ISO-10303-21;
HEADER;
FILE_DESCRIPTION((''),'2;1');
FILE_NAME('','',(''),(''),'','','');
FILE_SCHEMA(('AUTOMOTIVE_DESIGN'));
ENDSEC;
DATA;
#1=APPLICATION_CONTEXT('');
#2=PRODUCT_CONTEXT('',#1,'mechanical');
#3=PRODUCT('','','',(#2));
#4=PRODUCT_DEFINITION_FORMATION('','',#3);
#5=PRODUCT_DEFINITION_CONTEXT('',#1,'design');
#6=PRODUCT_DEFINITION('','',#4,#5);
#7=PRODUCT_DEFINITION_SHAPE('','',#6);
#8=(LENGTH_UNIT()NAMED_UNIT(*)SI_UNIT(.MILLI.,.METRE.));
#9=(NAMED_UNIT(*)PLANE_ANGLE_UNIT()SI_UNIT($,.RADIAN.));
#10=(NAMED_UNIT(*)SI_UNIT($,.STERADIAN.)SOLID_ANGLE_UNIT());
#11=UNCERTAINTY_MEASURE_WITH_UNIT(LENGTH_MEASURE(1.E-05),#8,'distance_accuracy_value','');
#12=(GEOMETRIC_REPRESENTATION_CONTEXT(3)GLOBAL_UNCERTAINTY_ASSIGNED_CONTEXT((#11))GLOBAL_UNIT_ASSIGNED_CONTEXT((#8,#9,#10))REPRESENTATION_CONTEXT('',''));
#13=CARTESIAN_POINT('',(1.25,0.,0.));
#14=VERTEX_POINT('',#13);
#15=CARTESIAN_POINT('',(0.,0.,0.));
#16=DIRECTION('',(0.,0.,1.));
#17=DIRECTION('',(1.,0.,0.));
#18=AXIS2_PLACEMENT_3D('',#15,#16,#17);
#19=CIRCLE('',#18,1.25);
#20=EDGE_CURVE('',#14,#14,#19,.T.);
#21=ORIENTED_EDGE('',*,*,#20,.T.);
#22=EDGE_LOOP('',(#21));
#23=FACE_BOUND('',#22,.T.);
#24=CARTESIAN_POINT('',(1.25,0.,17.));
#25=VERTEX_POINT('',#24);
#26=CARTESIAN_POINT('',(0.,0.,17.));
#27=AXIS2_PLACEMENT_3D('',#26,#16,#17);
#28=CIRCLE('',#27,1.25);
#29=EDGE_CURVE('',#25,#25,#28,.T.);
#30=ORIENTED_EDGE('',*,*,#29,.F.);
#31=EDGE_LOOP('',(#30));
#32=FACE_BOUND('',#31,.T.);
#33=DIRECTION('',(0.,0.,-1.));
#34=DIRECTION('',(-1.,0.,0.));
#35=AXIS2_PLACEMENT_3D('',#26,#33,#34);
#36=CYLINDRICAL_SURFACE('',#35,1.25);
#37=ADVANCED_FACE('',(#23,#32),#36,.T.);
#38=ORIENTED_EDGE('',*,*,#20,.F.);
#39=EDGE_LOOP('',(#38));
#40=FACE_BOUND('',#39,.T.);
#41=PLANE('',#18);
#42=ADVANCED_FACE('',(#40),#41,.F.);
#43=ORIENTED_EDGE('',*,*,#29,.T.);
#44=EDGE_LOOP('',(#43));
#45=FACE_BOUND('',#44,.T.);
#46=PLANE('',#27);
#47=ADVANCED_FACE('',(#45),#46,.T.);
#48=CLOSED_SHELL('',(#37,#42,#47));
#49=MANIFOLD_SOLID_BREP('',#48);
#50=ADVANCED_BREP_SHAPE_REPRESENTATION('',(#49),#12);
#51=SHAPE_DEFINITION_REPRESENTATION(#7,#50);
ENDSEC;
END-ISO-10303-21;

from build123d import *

# Parameters (mm, degrees)
SKETCH1_R           = 1.25
BOSS_EXTRUDE1_DEPTH = 17


with BuildPart() as part:
    # Sketch1 → Boss-Extrude1 (new body)
    with BuildSketch(Plane.XY):
        Circle(SKETCH1_R)
    extrude(amount=BOSS_EXTRUDE1_DEPTH)


solid = part.part
